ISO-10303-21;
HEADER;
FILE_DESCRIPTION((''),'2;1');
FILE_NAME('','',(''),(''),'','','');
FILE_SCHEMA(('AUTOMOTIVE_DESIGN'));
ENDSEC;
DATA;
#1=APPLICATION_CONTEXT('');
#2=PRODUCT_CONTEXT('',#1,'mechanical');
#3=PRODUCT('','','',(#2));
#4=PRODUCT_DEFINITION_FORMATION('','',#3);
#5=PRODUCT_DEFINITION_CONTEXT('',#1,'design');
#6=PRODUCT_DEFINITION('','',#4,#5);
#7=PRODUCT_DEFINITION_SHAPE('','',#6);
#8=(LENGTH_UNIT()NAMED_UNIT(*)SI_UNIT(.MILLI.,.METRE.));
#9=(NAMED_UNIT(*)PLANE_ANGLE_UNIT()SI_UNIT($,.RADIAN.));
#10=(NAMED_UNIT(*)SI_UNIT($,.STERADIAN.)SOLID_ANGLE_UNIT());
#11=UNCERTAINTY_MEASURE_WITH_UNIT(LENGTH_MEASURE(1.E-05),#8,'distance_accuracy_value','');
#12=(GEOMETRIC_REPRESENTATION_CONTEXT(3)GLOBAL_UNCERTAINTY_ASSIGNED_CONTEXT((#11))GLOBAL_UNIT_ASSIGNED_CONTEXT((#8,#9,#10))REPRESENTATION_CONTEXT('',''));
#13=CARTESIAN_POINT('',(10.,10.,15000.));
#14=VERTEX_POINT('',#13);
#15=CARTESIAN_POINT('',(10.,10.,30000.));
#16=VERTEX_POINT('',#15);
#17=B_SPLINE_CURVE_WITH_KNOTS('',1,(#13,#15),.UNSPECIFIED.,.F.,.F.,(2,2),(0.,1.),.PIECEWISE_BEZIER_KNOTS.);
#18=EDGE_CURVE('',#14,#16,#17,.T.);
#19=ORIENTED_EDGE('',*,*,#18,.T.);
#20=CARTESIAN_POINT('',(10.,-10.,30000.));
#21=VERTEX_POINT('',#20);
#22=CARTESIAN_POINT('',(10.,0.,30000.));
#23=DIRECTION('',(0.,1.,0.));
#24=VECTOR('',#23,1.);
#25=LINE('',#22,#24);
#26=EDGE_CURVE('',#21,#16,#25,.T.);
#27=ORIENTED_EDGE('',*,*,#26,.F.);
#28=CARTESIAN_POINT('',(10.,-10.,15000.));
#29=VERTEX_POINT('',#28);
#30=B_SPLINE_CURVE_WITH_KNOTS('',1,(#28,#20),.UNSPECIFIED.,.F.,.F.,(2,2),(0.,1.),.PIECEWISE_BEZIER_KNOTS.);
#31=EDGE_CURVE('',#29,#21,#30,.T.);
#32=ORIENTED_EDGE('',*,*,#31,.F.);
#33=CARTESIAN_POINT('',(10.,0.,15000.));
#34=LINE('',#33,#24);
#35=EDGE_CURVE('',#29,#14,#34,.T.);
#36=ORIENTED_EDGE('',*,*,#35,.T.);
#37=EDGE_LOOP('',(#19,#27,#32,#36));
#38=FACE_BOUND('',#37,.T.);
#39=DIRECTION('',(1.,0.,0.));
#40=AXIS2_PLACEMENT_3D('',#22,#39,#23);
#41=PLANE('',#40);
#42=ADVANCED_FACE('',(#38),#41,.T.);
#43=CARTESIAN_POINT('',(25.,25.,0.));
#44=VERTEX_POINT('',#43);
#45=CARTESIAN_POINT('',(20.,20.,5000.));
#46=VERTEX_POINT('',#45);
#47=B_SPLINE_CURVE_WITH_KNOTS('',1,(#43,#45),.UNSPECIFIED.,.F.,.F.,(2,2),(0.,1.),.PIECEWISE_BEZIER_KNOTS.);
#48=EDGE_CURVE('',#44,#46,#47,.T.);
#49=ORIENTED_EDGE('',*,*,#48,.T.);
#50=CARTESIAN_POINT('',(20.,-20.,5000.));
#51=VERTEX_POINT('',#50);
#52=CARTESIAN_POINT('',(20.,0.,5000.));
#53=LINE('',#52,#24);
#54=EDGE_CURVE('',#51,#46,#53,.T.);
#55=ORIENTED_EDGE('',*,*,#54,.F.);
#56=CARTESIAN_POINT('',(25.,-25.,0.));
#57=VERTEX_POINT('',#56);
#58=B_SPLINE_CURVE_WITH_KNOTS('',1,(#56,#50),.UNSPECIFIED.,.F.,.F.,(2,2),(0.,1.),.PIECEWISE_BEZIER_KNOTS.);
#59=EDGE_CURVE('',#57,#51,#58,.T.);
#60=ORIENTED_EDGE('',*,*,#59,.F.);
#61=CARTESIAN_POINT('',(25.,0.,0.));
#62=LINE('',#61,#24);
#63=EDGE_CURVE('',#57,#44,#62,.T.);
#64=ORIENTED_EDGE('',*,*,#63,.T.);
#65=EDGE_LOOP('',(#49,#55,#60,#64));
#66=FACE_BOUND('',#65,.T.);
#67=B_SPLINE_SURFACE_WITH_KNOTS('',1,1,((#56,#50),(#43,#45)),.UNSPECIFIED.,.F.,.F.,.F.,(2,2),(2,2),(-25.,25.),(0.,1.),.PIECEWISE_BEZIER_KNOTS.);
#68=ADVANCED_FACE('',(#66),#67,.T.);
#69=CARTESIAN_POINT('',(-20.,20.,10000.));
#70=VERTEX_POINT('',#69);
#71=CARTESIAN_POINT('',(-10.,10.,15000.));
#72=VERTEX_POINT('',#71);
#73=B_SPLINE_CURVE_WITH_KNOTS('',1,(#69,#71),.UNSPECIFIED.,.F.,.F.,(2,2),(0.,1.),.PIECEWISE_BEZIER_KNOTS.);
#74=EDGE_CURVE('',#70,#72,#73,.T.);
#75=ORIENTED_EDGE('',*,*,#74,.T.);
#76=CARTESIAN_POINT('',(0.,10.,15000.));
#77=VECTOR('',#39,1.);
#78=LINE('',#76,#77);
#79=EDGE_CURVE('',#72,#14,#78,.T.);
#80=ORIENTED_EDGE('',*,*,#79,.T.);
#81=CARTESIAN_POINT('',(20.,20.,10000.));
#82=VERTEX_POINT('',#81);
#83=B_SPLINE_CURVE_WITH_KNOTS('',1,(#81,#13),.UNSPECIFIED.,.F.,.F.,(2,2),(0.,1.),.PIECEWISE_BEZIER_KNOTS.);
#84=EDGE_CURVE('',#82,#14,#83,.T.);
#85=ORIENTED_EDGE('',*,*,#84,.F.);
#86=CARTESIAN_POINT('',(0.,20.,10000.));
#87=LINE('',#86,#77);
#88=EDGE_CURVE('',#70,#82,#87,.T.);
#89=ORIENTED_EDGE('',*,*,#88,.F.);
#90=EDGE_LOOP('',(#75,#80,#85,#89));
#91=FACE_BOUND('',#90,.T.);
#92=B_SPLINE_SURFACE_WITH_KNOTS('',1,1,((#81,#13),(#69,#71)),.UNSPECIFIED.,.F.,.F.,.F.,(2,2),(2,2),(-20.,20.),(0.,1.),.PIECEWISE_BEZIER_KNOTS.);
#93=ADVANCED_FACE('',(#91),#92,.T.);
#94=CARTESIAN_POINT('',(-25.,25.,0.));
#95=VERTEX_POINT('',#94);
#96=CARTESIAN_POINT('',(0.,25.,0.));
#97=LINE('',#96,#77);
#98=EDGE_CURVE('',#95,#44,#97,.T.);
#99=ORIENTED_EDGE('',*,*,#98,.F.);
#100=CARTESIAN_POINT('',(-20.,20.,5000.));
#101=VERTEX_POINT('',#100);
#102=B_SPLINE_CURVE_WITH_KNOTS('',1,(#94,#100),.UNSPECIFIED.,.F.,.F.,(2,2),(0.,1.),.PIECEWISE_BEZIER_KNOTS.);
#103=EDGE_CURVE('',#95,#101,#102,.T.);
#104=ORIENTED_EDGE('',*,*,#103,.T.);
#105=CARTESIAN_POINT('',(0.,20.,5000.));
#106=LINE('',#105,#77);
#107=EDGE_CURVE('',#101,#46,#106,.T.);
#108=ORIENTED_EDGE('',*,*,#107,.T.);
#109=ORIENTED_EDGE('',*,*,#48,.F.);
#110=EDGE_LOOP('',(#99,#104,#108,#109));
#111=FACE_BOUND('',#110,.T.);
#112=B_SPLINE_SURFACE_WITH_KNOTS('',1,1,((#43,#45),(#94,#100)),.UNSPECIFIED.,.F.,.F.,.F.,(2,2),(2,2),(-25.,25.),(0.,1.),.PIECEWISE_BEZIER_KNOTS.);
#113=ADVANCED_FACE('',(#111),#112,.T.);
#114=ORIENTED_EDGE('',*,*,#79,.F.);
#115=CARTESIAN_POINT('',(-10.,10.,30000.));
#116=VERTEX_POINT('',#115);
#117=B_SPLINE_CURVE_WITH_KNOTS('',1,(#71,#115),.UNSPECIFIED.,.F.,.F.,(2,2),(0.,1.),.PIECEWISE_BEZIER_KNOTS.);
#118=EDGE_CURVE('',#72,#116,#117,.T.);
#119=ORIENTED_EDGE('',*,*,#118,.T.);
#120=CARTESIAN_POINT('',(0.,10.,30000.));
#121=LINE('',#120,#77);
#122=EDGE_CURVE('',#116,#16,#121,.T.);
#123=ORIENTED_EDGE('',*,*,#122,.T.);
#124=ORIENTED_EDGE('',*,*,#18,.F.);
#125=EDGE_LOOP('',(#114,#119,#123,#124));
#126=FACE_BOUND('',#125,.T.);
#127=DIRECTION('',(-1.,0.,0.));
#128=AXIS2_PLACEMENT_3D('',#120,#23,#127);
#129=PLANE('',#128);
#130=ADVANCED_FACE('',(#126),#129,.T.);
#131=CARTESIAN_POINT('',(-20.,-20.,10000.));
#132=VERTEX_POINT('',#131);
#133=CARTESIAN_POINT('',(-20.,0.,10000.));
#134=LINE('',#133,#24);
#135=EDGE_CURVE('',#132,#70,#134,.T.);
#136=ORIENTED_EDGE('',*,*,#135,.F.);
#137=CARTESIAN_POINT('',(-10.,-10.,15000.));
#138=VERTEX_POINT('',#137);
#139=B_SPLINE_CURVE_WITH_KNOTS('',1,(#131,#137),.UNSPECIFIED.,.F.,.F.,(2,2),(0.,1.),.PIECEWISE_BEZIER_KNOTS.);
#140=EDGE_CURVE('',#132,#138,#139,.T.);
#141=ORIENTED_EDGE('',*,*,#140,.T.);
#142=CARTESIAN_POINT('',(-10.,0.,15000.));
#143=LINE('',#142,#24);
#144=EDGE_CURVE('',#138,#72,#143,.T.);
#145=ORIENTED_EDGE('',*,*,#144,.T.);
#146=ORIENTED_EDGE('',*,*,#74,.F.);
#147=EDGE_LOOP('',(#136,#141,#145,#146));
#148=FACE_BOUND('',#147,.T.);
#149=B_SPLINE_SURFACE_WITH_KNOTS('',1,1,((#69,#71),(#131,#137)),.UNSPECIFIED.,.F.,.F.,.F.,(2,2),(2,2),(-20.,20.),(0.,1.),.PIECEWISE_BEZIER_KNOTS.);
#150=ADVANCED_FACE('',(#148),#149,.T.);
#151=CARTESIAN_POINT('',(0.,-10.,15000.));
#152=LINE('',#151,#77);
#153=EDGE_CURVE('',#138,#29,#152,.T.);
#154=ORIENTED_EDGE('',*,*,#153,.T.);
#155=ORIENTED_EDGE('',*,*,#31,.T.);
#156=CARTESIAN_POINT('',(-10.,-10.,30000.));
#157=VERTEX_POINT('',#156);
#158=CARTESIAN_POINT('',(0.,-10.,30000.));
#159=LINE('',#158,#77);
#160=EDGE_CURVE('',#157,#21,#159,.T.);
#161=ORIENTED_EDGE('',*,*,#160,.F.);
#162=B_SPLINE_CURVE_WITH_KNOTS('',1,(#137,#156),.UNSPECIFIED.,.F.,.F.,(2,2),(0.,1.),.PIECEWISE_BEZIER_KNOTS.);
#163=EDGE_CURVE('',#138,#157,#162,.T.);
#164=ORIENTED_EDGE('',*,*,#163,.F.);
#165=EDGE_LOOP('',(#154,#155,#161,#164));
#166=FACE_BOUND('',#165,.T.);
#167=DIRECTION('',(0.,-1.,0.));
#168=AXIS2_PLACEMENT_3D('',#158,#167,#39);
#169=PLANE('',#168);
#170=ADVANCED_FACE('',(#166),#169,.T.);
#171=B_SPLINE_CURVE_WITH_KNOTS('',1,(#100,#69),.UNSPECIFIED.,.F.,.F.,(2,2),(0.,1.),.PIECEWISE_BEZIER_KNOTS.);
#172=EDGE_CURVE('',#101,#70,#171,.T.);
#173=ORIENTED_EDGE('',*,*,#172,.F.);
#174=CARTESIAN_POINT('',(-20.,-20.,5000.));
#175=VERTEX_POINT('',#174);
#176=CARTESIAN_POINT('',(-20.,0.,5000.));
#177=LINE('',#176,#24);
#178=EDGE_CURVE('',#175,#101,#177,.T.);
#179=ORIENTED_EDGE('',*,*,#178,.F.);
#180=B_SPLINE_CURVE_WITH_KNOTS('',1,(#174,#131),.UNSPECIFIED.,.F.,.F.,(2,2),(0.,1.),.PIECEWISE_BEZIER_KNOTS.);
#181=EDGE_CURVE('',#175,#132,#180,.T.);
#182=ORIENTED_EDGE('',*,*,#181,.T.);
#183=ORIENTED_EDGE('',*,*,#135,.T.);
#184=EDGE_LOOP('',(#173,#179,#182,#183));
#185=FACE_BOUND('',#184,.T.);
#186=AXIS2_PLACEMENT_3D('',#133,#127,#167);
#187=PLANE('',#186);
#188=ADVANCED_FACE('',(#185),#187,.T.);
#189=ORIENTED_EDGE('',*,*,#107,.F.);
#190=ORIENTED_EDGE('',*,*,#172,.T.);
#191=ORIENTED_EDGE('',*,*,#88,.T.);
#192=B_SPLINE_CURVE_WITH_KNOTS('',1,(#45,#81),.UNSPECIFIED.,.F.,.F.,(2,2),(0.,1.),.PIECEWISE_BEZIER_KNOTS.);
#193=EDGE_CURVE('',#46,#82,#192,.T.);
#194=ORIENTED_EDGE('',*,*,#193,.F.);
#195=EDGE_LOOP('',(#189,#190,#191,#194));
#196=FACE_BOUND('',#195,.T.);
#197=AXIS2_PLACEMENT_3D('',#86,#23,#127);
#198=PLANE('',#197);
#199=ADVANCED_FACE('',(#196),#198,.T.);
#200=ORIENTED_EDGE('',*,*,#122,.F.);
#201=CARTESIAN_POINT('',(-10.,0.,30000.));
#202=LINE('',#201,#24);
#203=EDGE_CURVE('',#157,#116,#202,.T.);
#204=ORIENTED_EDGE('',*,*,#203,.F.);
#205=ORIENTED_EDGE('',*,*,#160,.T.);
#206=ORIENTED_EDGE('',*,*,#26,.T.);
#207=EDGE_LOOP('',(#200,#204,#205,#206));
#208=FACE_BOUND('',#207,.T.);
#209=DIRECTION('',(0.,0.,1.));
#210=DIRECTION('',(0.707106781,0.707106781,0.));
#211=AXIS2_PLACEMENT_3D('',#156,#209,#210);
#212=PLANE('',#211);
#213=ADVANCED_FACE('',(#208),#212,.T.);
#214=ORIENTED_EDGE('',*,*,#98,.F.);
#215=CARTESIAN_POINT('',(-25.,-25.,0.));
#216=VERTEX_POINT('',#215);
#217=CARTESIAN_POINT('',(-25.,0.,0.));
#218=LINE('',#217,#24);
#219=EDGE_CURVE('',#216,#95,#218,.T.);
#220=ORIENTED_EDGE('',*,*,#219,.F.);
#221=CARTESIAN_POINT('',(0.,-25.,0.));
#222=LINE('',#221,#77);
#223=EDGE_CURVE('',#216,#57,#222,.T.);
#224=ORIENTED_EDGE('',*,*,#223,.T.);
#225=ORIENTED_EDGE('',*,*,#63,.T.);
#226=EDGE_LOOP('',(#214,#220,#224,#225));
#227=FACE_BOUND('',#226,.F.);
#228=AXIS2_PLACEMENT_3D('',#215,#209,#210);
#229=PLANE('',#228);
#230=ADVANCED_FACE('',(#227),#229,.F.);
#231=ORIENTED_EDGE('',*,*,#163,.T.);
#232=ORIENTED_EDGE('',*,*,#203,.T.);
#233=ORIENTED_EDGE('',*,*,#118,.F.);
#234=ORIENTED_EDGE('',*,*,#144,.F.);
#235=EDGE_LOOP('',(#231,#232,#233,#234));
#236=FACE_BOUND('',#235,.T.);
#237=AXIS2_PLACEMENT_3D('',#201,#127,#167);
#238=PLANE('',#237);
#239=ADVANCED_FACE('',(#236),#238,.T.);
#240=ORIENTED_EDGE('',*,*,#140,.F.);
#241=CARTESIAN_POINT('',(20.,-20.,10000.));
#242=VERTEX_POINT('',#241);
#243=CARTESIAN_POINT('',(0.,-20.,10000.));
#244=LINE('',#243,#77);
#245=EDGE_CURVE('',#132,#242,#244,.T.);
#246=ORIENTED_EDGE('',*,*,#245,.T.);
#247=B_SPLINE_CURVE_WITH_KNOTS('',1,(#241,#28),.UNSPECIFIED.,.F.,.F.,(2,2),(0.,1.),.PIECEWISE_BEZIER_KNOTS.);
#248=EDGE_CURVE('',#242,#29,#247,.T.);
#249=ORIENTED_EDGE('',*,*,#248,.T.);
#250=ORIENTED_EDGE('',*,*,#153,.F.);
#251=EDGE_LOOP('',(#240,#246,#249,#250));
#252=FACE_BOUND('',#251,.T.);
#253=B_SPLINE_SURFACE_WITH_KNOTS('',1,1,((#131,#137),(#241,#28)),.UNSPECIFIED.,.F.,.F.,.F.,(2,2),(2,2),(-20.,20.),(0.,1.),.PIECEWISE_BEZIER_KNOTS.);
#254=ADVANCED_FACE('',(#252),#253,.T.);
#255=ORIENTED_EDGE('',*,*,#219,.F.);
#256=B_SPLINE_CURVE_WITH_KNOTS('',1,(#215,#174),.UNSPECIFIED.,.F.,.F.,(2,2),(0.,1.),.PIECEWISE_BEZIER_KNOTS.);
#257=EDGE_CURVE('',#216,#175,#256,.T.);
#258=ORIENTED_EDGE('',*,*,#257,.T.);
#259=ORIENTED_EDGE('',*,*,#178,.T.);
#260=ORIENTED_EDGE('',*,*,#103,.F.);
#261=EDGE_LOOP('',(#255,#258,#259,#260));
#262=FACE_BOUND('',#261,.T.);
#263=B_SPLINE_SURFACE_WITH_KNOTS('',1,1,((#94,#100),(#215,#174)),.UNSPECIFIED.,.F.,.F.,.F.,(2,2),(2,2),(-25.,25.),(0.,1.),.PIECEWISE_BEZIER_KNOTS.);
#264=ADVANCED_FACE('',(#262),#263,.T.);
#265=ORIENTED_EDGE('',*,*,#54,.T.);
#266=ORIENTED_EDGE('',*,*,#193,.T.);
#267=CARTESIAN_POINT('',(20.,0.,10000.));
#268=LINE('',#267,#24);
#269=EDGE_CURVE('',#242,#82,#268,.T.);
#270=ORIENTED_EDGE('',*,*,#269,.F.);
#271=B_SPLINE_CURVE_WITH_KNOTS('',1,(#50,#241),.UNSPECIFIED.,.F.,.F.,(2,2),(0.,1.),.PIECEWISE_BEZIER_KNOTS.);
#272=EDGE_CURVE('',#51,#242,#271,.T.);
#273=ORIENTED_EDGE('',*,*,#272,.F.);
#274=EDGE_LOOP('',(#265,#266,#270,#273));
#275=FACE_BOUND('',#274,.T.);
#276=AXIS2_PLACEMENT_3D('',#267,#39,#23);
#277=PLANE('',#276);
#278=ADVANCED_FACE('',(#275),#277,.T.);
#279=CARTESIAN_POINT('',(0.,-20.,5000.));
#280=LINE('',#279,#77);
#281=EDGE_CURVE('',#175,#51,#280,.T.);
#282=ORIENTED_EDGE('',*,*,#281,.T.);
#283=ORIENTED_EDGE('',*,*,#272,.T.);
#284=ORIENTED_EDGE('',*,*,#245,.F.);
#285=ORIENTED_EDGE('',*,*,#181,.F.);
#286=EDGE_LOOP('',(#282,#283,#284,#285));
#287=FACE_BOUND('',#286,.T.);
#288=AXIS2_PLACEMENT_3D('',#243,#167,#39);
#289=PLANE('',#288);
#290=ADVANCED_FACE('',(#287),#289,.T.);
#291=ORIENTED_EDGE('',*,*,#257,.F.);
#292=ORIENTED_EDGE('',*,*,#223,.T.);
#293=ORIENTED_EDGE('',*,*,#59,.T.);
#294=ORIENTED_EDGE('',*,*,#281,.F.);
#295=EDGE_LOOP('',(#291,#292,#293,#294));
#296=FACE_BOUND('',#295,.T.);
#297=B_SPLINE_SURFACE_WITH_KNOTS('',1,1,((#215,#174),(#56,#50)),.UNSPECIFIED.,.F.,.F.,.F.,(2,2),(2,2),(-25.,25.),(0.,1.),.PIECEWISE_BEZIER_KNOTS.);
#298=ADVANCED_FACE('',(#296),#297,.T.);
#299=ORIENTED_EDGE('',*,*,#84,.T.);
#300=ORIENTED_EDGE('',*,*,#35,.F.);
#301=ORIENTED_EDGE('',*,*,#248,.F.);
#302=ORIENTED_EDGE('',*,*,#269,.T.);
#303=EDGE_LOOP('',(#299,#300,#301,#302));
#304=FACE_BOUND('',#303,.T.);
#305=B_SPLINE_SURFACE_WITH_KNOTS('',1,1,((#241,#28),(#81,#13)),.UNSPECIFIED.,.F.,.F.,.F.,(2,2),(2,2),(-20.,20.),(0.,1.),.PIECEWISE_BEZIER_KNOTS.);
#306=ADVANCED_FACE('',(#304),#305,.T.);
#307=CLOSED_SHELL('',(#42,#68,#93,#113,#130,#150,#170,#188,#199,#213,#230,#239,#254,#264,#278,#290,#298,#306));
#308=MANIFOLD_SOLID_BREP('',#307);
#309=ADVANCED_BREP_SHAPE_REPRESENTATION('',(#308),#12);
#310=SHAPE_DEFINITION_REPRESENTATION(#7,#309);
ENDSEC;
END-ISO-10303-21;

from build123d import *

# Parameters (mm, degrees)
SKETCH_W    = 50
SKETCH_H    = 50
SKETCH001_W = 40
SKETCH001_H = 40
SKETCH002_W = 40
SKETCH002_H = 40
SKETCH003_W = 20
SKETCH003_H = 20
SKETCH004_W = 20
SKETCH004_H = 20


with BuildPart() as part:
    # Sketch → Loft section 0
    with BuildSketch(Plane.XY):
        Rectangle(SKETCH_W, SKETCH_H)
    # Sketch001 → Loft section 1
    with BuildSketch(Plane.XY.offset(5000)):
        Rectangle(SKETCH001_W, SKETCH001_H)
    # Sketch002 → Loft section 2
    with BuildSketch(Plane.XY.offset(10000)):
        Rectangle(SKETCH002_W, SKETCH002_H)
    # Sketch003 → Loft section 3
    with BuildSketch(Plane.XY.offset(15000)):
        Rectangle(SKETCH003_W, SKETCH003_H)
    # Sketch004 → Loft section 4
    with BuildSketch(Plane.XY.offset(30000)):
        Rectangle(SKETCH004_W, SKETCH004_H)
    loft(ruled=True)


solid = part.part
